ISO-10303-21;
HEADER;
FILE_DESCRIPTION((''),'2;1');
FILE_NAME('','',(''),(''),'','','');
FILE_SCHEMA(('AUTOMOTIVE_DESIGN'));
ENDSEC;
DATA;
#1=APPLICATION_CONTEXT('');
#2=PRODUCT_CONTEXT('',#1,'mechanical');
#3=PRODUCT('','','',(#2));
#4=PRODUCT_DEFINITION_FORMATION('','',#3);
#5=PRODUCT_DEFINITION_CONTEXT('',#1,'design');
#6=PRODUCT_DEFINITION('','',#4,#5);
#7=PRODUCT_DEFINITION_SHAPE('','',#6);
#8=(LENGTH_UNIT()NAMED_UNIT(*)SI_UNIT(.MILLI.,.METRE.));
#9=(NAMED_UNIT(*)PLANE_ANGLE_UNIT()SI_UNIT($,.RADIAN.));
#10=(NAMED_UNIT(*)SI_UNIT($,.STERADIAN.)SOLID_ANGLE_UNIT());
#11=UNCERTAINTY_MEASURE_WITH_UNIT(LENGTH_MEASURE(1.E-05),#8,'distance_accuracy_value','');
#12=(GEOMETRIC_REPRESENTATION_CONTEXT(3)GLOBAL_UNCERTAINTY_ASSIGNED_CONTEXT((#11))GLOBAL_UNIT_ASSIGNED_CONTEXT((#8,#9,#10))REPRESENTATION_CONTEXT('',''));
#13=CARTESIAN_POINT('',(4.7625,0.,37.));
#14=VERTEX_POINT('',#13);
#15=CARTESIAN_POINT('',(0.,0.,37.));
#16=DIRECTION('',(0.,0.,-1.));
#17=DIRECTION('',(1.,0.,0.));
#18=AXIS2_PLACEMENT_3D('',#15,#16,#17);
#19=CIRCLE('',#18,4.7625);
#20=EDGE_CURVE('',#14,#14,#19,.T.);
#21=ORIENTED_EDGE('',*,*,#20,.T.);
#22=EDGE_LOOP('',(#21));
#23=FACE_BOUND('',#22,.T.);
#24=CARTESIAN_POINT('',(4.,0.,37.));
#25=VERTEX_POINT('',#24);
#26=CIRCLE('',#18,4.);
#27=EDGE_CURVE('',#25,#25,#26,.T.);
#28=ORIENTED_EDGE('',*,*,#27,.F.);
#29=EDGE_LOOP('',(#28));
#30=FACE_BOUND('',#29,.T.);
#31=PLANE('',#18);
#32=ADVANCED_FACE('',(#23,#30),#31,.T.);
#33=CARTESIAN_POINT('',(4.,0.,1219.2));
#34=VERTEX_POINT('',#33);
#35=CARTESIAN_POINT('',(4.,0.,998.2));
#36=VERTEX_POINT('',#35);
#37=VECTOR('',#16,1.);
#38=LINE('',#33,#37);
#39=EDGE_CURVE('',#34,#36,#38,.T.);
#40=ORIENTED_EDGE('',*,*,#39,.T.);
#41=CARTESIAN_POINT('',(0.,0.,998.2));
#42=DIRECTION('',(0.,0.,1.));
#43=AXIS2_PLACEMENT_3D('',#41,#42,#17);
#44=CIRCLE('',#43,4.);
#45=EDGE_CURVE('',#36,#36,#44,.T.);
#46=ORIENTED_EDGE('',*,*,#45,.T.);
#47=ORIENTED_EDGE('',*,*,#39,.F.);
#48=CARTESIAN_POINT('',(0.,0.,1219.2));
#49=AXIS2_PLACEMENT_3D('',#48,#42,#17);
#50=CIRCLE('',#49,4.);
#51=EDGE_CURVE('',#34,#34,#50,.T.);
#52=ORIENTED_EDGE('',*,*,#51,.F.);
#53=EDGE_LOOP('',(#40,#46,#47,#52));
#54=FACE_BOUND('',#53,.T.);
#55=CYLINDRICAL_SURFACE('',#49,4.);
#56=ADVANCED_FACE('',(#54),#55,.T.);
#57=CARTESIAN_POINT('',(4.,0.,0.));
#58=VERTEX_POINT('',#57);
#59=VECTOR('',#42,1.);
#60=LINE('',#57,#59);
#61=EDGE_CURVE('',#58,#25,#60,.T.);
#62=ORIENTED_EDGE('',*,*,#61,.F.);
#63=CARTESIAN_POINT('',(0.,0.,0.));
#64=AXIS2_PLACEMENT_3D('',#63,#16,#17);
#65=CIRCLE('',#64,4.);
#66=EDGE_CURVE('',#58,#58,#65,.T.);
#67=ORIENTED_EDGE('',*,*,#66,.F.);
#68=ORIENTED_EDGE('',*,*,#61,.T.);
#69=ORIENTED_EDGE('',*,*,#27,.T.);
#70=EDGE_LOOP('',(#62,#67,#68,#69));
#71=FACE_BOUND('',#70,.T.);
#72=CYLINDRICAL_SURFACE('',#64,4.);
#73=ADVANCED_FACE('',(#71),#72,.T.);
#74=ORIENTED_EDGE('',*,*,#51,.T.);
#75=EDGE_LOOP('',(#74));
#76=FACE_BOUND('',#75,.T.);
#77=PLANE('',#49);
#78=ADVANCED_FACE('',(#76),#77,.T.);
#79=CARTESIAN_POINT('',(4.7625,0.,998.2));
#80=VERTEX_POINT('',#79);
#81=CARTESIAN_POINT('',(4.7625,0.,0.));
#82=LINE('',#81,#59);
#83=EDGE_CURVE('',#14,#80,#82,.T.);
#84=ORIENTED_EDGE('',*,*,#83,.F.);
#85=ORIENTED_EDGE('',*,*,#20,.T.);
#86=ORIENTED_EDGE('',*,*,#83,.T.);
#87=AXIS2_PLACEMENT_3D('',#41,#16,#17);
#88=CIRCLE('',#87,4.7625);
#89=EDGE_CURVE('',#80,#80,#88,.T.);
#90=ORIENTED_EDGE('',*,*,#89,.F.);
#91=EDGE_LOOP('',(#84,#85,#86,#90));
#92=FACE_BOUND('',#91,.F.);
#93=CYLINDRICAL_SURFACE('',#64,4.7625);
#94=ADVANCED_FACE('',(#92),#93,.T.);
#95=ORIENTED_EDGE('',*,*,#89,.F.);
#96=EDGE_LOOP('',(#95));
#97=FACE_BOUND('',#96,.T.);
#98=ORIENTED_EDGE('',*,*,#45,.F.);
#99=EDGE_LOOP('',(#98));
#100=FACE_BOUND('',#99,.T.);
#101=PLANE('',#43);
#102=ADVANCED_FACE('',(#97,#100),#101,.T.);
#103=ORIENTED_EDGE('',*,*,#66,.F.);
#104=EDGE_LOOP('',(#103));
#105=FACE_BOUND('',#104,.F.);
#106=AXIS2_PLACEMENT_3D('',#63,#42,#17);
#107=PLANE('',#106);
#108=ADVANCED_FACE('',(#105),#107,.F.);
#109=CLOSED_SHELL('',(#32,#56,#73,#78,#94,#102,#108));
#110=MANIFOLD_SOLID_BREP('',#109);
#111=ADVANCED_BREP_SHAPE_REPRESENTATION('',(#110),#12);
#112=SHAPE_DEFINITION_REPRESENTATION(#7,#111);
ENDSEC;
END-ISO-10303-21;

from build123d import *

# Parameters (mm, degrees)
CYLINDER_R      = 4.7625
CYLINDER_DEPTH  = 1219.2
SKETCH_R        = 6
SKETCH_R_2      = 4
POCKET_DEPTH    = 37
SKETCH001_R     = 6
SKETCH001_R_2   = 4
POCKET001_DEPTH = 221


with BuildPart() as part:
    # Cylinder → Cylinder (new body)
    with BuildSketch(Plane.XY):
        Circle(CYLINDER_R)
    extrude(amount=CYLINDER_DEPTH)

    # Sketch → Pocket (cut)
    with BuildSketch(Plane(origin=(0, 0, 0), x_dir=(1, 0, 0), z_dir=(0, 0, -1))):
        Circle(SKETCH_R)
        Circle(SKETCH_R_2, mode=Mode.SUBTRACT)
    extrude(amount=-POCKET_DEPTH, mode=Mode.SUBTRACT)

    # Sketch001 → Pocket001 (cut)
    with BuildSketch(Plane.XY.offset(1219.2)):
        Circle(SKETCH001_R)
        Circle(SKETCH001_R_2, mode=Mode.SUBTRACT)
    extrude(amount=-POCKET001_DEPTH, mode=Mode.SUBTRACT)


solid = part.part
